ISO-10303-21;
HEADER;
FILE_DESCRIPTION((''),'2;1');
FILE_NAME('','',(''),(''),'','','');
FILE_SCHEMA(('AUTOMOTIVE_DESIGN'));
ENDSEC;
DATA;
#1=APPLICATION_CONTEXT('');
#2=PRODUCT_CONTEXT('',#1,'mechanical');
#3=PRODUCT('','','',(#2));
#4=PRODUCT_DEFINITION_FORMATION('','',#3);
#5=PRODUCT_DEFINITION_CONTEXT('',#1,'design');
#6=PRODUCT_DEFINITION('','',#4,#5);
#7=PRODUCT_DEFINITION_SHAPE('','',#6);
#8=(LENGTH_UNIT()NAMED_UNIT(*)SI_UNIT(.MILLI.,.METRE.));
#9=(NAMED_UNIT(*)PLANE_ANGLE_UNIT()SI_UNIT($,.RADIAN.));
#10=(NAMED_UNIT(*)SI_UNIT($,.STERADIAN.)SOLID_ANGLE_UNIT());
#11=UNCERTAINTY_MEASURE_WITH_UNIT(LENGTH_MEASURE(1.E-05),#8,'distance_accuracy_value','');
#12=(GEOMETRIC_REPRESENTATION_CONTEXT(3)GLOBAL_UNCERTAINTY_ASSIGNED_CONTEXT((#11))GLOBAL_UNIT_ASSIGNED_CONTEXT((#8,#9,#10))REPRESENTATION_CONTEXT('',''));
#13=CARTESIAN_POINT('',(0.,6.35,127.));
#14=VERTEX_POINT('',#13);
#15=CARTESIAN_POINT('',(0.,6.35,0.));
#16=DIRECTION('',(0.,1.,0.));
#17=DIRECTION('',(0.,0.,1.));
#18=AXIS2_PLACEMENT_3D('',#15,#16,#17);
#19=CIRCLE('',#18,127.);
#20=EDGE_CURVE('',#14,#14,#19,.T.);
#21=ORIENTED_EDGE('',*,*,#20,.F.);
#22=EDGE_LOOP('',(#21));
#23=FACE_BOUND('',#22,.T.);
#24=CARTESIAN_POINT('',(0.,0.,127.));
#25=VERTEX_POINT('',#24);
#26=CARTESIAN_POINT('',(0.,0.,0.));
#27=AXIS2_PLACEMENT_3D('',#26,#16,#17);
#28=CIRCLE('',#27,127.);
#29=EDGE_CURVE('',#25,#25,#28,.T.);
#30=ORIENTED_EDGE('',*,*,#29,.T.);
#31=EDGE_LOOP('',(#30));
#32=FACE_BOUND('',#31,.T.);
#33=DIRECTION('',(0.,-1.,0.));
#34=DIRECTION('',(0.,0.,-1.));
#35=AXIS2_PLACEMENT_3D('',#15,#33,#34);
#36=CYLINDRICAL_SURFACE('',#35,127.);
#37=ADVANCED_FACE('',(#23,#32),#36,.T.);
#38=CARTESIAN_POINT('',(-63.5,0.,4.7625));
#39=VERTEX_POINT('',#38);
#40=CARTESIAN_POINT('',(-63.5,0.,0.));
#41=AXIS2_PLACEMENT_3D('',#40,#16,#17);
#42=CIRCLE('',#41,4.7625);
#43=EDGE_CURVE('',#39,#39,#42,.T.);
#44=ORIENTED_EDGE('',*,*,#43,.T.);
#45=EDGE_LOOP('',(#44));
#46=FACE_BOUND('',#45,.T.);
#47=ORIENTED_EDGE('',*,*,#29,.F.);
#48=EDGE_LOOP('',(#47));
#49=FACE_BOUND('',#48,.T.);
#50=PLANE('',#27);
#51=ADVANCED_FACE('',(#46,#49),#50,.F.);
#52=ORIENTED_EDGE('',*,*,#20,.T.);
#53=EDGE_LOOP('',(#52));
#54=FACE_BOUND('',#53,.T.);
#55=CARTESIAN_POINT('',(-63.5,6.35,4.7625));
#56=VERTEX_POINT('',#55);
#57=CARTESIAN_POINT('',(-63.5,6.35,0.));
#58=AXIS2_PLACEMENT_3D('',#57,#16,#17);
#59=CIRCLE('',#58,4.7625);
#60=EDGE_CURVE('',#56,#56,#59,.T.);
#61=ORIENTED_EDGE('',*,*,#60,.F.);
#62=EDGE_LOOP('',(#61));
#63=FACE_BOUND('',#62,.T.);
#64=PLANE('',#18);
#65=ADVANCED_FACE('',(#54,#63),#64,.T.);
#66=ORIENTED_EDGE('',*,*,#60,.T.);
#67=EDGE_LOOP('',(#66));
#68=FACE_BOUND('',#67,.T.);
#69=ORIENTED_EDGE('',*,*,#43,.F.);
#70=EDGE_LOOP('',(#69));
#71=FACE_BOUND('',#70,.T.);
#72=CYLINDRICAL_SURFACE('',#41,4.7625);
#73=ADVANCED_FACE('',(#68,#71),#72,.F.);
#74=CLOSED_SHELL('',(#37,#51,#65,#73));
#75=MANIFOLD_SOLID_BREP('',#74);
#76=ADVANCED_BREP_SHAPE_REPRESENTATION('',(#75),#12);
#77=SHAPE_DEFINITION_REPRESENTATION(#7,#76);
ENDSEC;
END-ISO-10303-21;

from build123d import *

# Parameters (mm, degrees)
SKETCH1_R           = 127
BOSS_EXTRUDE1_DEPTH = 6.35
SKETCH2_R           = 4.7625
CUT_EXTRUDE1_DEPTH  = 7.35


with BuildPart() as part:
    # Sketch1 → Boss-Extrude1 (new body)
    with BuildSketch(Plane(origin=(0, 0, 0), x_dir=(1, 0, 0), z_dir=(0, 1, 0))):
        Circle(SKETCH1_R)
    extrude(amount=BOSS_EXTRUDE1_DEPTH)

    # Sketch2 → Cut-Extrude1 (cut, through all)
    with BuildSketch(Plane(origin=(0, 6.35, 0), x_dir=(1, 0, 0), z_dir=(0, 1, 0))):
        with Locations((-63.5, 0)):
            Circle(SKETCH2_R)
    extrude(amount=-CUT_EXTRUDE1_DEPTH, mode=Mode.SUBTRACT)


solid = part.part
